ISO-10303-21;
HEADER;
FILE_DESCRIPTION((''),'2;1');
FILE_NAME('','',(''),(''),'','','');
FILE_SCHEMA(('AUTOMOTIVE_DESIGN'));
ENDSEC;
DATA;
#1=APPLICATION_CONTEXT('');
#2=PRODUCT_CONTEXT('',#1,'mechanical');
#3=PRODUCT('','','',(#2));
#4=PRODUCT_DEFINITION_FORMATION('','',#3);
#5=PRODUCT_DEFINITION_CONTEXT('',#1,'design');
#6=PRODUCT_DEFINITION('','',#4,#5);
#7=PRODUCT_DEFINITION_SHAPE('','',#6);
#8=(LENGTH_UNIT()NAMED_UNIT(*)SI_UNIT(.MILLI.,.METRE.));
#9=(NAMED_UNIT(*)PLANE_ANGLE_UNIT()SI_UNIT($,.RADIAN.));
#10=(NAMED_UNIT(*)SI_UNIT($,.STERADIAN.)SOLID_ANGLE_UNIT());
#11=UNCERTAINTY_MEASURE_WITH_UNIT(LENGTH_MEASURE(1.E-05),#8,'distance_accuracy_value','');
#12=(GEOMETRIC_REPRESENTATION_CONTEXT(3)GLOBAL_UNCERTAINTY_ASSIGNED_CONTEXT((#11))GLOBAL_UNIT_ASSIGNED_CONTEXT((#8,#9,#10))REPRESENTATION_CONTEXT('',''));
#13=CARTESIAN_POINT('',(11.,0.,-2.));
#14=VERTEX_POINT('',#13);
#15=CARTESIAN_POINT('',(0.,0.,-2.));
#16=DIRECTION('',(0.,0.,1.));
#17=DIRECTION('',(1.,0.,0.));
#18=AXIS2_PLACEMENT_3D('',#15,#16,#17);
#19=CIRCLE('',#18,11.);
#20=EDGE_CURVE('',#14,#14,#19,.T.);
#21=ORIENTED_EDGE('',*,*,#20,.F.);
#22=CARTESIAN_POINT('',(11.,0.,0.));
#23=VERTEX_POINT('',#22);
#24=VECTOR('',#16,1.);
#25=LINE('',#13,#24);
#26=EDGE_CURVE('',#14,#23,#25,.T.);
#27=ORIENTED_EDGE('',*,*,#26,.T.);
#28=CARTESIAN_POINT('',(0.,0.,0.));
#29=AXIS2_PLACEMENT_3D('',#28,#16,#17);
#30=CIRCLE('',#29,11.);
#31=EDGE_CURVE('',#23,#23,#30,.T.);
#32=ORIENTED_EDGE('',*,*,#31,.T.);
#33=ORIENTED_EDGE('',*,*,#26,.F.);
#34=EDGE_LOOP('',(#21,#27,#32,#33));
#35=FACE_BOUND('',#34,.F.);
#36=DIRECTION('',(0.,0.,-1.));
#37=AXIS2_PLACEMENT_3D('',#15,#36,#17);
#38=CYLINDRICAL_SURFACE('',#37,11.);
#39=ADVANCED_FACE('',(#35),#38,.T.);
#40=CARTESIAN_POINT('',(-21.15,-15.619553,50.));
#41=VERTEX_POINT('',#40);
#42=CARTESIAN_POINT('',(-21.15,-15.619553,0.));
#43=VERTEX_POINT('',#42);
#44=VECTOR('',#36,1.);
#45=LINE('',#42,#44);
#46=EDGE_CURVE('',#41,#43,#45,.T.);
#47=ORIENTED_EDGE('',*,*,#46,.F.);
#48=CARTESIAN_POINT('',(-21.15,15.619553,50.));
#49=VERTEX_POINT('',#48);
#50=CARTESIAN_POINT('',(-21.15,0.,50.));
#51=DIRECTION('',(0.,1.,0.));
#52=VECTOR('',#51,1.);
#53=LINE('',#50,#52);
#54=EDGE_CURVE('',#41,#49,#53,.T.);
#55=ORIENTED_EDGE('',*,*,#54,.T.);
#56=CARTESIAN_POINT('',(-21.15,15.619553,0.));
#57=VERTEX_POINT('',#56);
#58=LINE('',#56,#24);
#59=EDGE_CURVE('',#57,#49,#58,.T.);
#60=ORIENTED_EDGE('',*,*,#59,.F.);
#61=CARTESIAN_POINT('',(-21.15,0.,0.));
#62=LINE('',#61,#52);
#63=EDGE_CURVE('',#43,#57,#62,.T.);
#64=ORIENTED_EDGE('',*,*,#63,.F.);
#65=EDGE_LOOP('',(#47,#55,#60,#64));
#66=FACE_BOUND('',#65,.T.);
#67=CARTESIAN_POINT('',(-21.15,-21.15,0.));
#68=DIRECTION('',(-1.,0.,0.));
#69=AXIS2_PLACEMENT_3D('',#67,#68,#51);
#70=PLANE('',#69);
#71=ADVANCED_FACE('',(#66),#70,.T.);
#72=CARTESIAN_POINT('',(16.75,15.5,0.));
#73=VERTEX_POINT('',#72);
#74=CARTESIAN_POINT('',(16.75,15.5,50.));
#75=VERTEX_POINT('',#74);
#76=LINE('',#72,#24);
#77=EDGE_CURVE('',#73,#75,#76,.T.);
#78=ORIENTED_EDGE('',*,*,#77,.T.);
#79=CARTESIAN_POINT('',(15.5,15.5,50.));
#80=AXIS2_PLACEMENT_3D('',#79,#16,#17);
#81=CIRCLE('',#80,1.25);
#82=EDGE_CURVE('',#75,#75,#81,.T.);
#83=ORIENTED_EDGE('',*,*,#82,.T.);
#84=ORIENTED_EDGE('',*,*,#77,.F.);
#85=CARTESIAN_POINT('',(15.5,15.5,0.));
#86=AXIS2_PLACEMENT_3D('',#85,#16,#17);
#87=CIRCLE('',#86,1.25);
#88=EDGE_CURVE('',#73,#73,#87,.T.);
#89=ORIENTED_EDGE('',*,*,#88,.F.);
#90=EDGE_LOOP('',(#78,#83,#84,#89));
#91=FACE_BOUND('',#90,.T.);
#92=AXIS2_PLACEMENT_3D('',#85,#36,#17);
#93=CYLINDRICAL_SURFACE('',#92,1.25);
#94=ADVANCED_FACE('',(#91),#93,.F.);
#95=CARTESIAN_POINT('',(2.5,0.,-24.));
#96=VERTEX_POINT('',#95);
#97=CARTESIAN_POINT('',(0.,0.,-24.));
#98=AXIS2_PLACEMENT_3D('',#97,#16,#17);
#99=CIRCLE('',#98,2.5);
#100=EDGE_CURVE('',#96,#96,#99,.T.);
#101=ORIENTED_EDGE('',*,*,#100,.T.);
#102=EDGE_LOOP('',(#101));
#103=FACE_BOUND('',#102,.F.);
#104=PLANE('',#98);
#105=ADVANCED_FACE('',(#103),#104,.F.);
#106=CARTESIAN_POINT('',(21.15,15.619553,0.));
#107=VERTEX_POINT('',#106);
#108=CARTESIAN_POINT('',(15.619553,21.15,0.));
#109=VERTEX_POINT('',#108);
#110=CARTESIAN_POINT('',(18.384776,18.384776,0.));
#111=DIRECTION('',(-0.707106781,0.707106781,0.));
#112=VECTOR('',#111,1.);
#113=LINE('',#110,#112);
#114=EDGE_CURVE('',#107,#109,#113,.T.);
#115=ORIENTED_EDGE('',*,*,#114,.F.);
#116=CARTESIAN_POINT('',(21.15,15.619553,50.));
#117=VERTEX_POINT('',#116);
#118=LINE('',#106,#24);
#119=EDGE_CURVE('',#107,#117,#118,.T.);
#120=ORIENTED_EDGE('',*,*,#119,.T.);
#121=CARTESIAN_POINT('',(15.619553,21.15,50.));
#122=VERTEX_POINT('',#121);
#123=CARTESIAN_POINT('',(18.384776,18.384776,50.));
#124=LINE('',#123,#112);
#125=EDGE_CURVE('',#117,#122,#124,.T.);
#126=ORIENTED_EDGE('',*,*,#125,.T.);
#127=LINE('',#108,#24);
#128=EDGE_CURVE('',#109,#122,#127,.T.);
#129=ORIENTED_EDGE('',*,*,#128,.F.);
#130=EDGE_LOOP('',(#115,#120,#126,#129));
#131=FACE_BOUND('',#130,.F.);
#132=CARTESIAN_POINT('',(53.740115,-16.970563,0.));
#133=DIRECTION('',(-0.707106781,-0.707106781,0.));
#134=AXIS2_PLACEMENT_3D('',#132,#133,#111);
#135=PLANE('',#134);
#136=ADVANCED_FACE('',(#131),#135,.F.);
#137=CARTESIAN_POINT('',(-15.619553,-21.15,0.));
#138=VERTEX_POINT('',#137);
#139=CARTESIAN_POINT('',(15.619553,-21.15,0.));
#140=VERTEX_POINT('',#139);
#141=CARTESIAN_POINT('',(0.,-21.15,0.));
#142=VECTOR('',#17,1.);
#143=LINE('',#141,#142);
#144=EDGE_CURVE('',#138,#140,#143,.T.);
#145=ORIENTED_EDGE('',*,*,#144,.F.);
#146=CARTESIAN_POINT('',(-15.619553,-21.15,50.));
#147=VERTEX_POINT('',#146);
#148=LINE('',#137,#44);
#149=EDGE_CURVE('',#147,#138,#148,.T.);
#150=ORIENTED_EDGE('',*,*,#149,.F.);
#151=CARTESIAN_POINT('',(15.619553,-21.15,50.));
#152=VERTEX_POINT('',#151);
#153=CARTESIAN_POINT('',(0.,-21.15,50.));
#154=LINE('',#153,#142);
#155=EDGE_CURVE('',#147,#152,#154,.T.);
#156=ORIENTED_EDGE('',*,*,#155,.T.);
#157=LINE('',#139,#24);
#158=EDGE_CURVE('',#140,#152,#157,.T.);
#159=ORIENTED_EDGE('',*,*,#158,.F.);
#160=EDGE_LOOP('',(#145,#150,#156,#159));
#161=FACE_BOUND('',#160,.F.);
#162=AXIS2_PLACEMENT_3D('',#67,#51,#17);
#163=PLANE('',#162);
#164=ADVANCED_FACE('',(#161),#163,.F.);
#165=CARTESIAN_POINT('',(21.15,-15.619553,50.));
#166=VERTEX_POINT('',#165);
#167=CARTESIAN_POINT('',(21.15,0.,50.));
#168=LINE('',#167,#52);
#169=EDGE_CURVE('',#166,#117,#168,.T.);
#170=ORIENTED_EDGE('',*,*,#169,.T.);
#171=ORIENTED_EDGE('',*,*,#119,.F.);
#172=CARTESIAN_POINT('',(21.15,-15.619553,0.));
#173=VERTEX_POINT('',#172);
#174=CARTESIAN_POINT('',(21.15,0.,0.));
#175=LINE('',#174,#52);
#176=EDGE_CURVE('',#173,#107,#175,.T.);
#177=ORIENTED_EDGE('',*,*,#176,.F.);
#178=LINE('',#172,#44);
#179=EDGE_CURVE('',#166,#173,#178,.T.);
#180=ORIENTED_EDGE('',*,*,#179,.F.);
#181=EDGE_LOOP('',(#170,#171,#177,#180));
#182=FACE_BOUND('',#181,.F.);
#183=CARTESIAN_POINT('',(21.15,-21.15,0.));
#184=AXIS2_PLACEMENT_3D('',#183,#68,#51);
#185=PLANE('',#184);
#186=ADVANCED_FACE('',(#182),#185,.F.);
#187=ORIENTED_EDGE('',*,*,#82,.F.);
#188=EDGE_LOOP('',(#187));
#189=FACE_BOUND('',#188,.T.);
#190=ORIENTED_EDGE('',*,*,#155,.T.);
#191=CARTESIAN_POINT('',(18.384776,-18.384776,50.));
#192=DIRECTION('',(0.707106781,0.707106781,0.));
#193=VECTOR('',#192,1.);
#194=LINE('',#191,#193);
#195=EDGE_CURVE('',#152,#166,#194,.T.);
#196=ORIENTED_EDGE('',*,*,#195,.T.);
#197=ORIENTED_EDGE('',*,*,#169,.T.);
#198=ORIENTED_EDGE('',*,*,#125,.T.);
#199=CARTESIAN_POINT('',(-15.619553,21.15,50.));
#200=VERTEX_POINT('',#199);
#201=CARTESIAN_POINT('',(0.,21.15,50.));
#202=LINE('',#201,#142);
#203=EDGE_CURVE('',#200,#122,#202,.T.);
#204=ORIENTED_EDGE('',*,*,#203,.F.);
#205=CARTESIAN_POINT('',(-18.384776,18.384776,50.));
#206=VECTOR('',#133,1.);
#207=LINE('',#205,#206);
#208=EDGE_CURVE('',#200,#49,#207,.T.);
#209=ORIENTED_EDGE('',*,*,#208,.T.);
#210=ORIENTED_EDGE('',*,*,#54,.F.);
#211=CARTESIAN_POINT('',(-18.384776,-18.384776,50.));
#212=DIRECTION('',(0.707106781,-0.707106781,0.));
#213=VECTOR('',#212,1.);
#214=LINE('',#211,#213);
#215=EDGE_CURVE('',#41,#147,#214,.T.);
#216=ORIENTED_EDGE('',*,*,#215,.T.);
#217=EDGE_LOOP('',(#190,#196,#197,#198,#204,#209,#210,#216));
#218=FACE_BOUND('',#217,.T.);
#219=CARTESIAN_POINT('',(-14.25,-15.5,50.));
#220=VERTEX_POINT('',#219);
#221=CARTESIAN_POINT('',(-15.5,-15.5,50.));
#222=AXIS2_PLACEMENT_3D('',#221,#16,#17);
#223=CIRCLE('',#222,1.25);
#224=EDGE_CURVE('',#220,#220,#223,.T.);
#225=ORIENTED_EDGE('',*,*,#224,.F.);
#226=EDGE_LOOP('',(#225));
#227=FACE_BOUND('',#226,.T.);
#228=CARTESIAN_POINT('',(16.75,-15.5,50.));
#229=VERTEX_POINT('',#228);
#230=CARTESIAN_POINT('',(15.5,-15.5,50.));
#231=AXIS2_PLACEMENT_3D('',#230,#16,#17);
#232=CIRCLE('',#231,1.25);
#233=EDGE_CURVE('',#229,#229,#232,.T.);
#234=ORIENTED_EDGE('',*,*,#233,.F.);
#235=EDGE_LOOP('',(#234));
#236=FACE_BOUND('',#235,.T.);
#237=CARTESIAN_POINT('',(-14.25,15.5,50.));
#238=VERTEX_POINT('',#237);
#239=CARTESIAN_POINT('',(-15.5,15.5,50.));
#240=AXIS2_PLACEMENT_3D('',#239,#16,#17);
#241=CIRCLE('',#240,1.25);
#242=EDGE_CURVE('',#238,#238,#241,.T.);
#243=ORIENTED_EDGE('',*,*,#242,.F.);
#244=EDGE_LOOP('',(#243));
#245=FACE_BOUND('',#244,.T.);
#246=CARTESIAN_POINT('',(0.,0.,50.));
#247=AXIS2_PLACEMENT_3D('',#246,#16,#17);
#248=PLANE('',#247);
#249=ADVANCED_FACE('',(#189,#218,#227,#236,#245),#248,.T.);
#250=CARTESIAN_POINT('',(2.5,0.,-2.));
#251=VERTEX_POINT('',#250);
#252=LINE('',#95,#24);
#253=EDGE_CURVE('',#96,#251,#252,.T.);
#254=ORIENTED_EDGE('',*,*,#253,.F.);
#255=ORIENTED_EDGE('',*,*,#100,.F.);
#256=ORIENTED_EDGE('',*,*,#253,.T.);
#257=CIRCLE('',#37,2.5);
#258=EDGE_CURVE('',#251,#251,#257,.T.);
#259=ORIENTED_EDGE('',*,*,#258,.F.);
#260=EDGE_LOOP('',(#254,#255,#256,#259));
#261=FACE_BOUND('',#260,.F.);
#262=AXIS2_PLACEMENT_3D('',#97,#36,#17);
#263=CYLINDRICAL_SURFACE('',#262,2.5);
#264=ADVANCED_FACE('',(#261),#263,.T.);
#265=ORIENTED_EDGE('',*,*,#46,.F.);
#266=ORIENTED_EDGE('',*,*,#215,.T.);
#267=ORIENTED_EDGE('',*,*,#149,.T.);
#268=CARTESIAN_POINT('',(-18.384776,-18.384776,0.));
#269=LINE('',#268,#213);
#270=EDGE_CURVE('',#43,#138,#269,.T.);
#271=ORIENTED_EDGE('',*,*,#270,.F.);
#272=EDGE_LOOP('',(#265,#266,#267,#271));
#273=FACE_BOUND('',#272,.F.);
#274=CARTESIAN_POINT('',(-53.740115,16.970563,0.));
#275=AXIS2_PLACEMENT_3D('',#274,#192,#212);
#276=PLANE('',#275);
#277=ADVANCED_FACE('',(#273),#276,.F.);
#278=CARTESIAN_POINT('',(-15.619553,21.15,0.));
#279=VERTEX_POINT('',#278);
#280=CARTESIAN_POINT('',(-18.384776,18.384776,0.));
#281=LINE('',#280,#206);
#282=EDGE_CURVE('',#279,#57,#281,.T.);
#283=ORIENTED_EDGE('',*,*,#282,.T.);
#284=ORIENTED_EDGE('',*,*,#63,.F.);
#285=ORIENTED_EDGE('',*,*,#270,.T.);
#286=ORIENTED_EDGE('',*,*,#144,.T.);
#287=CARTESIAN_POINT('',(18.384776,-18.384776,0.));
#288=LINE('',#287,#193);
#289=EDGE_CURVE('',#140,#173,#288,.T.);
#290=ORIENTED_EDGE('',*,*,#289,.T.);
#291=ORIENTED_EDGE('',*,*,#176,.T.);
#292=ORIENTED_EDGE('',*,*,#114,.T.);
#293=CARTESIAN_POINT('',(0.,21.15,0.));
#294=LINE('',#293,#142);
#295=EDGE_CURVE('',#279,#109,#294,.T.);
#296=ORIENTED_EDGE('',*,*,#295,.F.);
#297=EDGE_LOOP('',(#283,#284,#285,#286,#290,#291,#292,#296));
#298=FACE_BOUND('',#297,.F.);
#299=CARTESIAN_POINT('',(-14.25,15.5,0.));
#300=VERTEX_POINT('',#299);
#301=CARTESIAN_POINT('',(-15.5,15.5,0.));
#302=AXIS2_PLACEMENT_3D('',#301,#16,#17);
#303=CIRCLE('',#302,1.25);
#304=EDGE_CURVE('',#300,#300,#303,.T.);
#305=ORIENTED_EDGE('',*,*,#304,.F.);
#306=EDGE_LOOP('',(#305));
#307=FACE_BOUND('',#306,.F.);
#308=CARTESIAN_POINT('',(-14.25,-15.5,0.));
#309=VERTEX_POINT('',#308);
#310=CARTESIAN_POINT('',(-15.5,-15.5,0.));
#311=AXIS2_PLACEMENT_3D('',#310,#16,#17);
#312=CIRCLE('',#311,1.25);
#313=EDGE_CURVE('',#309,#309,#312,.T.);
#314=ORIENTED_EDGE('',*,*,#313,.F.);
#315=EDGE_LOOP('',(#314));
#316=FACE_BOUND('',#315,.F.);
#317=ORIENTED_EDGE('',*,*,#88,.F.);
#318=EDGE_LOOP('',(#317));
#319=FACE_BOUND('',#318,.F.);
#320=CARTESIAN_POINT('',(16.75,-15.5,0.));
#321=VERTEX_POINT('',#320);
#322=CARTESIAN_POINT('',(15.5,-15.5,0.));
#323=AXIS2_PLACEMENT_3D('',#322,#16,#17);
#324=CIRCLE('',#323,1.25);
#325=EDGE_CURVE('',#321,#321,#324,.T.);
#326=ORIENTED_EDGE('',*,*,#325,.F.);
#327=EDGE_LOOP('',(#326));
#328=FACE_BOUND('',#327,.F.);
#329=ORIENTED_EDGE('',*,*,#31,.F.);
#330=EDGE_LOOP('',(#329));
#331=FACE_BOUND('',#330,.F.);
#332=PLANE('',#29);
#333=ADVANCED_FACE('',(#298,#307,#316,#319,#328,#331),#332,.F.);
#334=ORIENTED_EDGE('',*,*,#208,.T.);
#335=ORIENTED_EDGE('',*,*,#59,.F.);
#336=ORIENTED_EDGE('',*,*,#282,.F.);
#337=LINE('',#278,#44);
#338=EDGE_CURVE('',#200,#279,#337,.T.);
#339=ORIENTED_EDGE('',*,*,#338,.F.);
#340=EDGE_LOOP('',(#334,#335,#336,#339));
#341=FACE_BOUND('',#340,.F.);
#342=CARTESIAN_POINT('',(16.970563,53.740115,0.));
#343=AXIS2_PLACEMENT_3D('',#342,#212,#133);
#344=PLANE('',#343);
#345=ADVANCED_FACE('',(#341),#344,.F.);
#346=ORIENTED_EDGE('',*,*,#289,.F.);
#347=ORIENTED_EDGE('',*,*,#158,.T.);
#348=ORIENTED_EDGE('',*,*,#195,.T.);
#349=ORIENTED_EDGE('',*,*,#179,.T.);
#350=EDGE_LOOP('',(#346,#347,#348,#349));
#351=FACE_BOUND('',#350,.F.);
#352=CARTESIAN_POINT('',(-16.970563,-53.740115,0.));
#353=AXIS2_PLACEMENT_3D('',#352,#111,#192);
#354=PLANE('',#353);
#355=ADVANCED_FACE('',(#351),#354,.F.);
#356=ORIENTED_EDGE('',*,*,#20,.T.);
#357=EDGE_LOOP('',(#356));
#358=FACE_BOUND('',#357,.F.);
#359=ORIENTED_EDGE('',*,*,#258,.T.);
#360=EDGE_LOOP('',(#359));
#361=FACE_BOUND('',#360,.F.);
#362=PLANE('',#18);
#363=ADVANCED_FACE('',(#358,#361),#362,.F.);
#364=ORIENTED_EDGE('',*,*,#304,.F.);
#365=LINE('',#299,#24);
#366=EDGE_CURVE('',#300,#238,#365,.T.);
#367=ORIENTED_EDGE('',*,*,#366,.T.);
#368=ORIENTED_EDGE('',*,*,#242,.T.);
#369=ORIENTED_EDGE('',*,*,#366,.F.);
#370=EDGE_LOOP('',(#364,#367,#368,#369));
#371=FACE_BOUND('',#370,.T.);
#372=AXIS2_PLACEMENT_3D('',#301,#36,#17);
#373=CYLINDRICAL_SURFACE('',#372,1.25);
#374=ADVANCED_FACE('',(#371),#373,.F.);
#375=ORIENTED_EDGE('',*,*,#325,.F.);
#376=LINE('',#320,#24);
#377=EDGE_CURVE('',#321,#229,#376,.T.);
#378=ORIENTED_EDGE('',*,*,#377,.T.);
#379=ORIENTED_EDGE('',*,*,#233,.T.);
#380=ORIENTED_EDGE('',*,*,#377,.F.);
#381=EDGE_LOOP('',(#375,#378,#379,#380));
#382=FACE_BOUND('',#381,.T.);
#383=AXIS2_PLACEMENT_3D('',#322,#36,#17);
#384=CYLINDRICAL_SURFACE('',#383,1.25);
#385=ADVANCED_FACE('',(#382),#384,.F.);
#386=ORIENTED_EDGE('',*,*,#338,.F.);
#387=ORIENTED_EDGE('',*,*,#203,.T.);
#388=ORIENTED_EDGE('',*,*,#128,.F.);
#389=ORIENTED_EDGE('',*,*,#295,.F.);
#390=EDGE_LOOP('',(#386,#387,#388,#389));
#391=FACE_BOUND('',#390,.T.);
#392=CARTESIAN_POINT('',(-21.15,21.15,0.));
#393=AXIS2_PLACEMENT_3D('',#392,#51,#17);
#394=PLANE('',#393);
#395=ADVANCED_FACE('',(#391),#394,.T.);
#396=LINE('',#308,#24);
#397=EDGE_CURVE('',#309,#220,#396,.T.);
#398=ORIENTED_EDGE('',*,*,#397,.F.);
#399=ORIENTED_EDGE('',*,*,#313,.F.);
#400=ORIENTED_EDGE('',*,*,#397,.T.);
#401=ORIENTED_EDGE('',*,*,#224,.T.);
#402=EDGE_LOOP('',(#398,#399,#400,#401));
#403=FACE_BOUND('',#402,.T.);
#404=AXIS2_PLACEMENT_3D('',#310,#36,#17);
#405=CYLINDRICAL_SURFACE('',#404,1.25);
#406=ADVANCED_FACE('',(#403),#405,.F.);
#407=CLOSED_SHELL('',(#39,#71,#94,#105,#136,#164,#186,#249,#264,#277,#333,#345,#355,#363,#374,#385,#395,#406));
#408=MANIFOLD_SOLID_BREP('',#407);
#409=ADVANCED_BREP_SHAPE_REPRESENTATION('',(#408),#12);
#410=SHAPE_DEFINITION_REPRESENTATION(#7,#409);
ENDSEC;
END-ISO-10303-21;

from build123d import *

# Parameters (mm, degrees)
BOX002_W                    = 100
BOX002_H                    = 100
BOX002_DEPTH                = 50
COMPOUND002_PLACEMENT_ANGLE = 135
BOX003_W                    = 100
BOX003_H                    = 100
BOX003_DEPTH                = 50
COMPOUND003_PLACEMENT_ANGLE = 225
BOX004_W                    = 100
BOX004_H                    = 100
BOX004_DEPTH                = 50
COMPOUND004_PLACEMENT_ANGLE = 315
BOX001_W                    = 100
BOX001_H                    = 100
BOX001_DEPTH                = 50
COMPOUND001_PLACEMENT_ANGLE = 45
CYLINDER002_R               = 1.25
CYLINDER002_DEPTH           = 50
CYLINDER003_R               = 1.25
CYLINDER003_DEPTH           = 50
CYLINDER004_R               = 1.25
CYLINDER004_DEPTH           = 50
CYLINDER005_R               = 1.25
CYLINDER005_DEPTH           = 50
BOX_W                       = 42.3
BOX_H                       = 42.3
BOX_DEPTH                   = 50
CYLINDER_R                  = 11
CYLINDER_DEPTH              = 2
CYLINDER001_R               = 2.5
CYLINDER001_DEPTH           = 24


with BuildPart() as compound002:
    # Box002 → Box002 (new body)
    with BuildSketch(Plane(origin=(26, -50, 0), x_dir=(1, 0, 0), z_dir=(0, 0, 1))):
        with Locations((50, 50)):
            Rectangle(BOX002_W, BOX002_H)
    extrude(amount=BOX002_DEPTH)


with BuildPart() as compound002_1:
    # Compound002 placement: moved
    add(compound002.part.rotate(Axis((0, 0, 0), (0, 0, 1)), COMPOUND002_PLACEMENT_ANGLE))


with BuildPart() as compound003:
    # Box003 → Box003 (new body)
    with BuildSketch(Plane(origin=(26, -50, 0), x_dir=(1, 0, 0), z_dir=(0, 0, 1))):
        with Locations((50, 50)):
            Rectangle(BOX003_W, BOX003_H)
    extrude(amount=BOX003_DEPTH)


with BuildPart() as compound003_1:
    # Compound003 placement: moved
    add(compound003.part.rotate(Axis((0, 0, 0), (0, 0, 1)), COMPOUND003_PLACEMENT_ANGLE))


with BuildPart() as compound004:
    # Box004 → Box004 (new body)
    with BuildSketch(Plane(origin=(26, -50, 0), x_dir=(1, 0, 0), z_dir=(0, 0, 1))):
        with Locations((50, 50)):
            Rectangle(BOX004_W, BOX004_H)
    extrude(amount=BOX004_DEPTH)


with BuildPart() as compound004_1:
    # Compound004 placement: moved
    add(compound004.part.rotate(Axis((0, 0, 0), (0, 0, 1)), COMPOUND004_PLACEMENT_ANGLE))


with BuildPart() as compound005:
    # Box001 → Box001 (new body)
    with BuildSketch(Plane(origin=(26, -50, 0), x_dir=(1, 0, 0), z_dir=(0, 0, 1))):
        with Locations((50, 50)):
            Rectangle(BOX001_W, BOX001_H)
    extrude(amount=BOX001_DEPTH)


with BuildPart() as compound005_1:
    # Compound001 placement: moved
    add(compound005.part.rotate(Axis((0, 0, 0), (0, 0, 1)), COMPOUND001_PLACEMENT_ANGLE))

    # Compound005: union Compound002, Compound003, Compound004
    add(compound002_1.part)
    add(compound003_1.part)
    add(compound004_1.part)


with BuildPart() as cylinder002:
    # Cylinder002 → Cylinder002 (new body)
    with BuildSketch(Plane(origin=(15.5, 15.5, 0), x_dir=(1, 0, 0), z_dir=(0, 0, 1))):
        Circle(CYLINDER002_R)
    extrude(amount=CYLINDER002_DEPTH)


with BuildPart() as cylinder003:
    # Cylinder003 → Cylinder003 (new body)
    with BuildSketch(Plane(origin=(-15.5, 15.5, 0), x_dir=(1, 0, 0), z_dir=(0, 0, 1))):
        Circle(CYLINDER003_R)
    extrude(amount=CYLINDER003_DEPTH)


with BuildPart() as cylinder004:
    # Cylinder004 → Cylinder004 (new body)
    with BuildSketch(Plane(origin=(15.5, -15.5, 0), x_dir=(1, 0, 0), z_dir=(0, 0, 1))):
        Circle(CYLINDER004_R)
    extrude(amount=CYLINDER004_DEPTH)


with BuildPart() as compound:
    # Cylinder005 → Cylinder005 (new body)
    with BuildSketch(Plane(origin=(-15.5, -15.5, 0), x_dir=(1, 0, 0), z_dir=(0, 0, 1))):
        Circle(CYLINDER005_R)
    extrude(amount=CYLINDER005_DEPTH)

    # Compound: union Cylinder002, Cylinder003, Cylinder004
    add(cylinder002.part)
    add(cylinder003.part)
    add(cylinder004.part)


with BuildPart() as cube:
    # Box → Box (new body)
    with BuildSketch(Plane(origin=(-21.15, -21.15, 0), x_dir=(1, 0, 0), z_dir=(0, 0, 1))):
        with Locations((21.15, 21.15)):
            Rectangle(BOX_W, BOX_H)
    extrude(amount=BOX_DEPTH)


with BuildPart() as fusion:
    # Cylinder → Cylinder (new body)
    with BuildSketch(Plane.XY.offset(-2)):
        Circle(CYLINDER_R)
    extrude(amount=CYLINDER_DEPTH)

    # Fusion: union Cube
    add(cube.part)


with BuildPart() as cut001:
    # Cylinder001 → Cylinder001 (new body)
    with BuildSketch(Plane.XY.offset(-24)):
        Circle(CYLINDER001_R)
    extrude(amount=CYLINDER001_DEPTH)

    # Fusion001: union Fusion
    add(fusion.part)

    # Cut: cut Compound
    add(compound.part, mode=Mode.SUBTRACT)

    # Cut001: cut Compound005
    add(compound005_1.part, mode=Mode.SUBTRACT)


solid = cut001.part
